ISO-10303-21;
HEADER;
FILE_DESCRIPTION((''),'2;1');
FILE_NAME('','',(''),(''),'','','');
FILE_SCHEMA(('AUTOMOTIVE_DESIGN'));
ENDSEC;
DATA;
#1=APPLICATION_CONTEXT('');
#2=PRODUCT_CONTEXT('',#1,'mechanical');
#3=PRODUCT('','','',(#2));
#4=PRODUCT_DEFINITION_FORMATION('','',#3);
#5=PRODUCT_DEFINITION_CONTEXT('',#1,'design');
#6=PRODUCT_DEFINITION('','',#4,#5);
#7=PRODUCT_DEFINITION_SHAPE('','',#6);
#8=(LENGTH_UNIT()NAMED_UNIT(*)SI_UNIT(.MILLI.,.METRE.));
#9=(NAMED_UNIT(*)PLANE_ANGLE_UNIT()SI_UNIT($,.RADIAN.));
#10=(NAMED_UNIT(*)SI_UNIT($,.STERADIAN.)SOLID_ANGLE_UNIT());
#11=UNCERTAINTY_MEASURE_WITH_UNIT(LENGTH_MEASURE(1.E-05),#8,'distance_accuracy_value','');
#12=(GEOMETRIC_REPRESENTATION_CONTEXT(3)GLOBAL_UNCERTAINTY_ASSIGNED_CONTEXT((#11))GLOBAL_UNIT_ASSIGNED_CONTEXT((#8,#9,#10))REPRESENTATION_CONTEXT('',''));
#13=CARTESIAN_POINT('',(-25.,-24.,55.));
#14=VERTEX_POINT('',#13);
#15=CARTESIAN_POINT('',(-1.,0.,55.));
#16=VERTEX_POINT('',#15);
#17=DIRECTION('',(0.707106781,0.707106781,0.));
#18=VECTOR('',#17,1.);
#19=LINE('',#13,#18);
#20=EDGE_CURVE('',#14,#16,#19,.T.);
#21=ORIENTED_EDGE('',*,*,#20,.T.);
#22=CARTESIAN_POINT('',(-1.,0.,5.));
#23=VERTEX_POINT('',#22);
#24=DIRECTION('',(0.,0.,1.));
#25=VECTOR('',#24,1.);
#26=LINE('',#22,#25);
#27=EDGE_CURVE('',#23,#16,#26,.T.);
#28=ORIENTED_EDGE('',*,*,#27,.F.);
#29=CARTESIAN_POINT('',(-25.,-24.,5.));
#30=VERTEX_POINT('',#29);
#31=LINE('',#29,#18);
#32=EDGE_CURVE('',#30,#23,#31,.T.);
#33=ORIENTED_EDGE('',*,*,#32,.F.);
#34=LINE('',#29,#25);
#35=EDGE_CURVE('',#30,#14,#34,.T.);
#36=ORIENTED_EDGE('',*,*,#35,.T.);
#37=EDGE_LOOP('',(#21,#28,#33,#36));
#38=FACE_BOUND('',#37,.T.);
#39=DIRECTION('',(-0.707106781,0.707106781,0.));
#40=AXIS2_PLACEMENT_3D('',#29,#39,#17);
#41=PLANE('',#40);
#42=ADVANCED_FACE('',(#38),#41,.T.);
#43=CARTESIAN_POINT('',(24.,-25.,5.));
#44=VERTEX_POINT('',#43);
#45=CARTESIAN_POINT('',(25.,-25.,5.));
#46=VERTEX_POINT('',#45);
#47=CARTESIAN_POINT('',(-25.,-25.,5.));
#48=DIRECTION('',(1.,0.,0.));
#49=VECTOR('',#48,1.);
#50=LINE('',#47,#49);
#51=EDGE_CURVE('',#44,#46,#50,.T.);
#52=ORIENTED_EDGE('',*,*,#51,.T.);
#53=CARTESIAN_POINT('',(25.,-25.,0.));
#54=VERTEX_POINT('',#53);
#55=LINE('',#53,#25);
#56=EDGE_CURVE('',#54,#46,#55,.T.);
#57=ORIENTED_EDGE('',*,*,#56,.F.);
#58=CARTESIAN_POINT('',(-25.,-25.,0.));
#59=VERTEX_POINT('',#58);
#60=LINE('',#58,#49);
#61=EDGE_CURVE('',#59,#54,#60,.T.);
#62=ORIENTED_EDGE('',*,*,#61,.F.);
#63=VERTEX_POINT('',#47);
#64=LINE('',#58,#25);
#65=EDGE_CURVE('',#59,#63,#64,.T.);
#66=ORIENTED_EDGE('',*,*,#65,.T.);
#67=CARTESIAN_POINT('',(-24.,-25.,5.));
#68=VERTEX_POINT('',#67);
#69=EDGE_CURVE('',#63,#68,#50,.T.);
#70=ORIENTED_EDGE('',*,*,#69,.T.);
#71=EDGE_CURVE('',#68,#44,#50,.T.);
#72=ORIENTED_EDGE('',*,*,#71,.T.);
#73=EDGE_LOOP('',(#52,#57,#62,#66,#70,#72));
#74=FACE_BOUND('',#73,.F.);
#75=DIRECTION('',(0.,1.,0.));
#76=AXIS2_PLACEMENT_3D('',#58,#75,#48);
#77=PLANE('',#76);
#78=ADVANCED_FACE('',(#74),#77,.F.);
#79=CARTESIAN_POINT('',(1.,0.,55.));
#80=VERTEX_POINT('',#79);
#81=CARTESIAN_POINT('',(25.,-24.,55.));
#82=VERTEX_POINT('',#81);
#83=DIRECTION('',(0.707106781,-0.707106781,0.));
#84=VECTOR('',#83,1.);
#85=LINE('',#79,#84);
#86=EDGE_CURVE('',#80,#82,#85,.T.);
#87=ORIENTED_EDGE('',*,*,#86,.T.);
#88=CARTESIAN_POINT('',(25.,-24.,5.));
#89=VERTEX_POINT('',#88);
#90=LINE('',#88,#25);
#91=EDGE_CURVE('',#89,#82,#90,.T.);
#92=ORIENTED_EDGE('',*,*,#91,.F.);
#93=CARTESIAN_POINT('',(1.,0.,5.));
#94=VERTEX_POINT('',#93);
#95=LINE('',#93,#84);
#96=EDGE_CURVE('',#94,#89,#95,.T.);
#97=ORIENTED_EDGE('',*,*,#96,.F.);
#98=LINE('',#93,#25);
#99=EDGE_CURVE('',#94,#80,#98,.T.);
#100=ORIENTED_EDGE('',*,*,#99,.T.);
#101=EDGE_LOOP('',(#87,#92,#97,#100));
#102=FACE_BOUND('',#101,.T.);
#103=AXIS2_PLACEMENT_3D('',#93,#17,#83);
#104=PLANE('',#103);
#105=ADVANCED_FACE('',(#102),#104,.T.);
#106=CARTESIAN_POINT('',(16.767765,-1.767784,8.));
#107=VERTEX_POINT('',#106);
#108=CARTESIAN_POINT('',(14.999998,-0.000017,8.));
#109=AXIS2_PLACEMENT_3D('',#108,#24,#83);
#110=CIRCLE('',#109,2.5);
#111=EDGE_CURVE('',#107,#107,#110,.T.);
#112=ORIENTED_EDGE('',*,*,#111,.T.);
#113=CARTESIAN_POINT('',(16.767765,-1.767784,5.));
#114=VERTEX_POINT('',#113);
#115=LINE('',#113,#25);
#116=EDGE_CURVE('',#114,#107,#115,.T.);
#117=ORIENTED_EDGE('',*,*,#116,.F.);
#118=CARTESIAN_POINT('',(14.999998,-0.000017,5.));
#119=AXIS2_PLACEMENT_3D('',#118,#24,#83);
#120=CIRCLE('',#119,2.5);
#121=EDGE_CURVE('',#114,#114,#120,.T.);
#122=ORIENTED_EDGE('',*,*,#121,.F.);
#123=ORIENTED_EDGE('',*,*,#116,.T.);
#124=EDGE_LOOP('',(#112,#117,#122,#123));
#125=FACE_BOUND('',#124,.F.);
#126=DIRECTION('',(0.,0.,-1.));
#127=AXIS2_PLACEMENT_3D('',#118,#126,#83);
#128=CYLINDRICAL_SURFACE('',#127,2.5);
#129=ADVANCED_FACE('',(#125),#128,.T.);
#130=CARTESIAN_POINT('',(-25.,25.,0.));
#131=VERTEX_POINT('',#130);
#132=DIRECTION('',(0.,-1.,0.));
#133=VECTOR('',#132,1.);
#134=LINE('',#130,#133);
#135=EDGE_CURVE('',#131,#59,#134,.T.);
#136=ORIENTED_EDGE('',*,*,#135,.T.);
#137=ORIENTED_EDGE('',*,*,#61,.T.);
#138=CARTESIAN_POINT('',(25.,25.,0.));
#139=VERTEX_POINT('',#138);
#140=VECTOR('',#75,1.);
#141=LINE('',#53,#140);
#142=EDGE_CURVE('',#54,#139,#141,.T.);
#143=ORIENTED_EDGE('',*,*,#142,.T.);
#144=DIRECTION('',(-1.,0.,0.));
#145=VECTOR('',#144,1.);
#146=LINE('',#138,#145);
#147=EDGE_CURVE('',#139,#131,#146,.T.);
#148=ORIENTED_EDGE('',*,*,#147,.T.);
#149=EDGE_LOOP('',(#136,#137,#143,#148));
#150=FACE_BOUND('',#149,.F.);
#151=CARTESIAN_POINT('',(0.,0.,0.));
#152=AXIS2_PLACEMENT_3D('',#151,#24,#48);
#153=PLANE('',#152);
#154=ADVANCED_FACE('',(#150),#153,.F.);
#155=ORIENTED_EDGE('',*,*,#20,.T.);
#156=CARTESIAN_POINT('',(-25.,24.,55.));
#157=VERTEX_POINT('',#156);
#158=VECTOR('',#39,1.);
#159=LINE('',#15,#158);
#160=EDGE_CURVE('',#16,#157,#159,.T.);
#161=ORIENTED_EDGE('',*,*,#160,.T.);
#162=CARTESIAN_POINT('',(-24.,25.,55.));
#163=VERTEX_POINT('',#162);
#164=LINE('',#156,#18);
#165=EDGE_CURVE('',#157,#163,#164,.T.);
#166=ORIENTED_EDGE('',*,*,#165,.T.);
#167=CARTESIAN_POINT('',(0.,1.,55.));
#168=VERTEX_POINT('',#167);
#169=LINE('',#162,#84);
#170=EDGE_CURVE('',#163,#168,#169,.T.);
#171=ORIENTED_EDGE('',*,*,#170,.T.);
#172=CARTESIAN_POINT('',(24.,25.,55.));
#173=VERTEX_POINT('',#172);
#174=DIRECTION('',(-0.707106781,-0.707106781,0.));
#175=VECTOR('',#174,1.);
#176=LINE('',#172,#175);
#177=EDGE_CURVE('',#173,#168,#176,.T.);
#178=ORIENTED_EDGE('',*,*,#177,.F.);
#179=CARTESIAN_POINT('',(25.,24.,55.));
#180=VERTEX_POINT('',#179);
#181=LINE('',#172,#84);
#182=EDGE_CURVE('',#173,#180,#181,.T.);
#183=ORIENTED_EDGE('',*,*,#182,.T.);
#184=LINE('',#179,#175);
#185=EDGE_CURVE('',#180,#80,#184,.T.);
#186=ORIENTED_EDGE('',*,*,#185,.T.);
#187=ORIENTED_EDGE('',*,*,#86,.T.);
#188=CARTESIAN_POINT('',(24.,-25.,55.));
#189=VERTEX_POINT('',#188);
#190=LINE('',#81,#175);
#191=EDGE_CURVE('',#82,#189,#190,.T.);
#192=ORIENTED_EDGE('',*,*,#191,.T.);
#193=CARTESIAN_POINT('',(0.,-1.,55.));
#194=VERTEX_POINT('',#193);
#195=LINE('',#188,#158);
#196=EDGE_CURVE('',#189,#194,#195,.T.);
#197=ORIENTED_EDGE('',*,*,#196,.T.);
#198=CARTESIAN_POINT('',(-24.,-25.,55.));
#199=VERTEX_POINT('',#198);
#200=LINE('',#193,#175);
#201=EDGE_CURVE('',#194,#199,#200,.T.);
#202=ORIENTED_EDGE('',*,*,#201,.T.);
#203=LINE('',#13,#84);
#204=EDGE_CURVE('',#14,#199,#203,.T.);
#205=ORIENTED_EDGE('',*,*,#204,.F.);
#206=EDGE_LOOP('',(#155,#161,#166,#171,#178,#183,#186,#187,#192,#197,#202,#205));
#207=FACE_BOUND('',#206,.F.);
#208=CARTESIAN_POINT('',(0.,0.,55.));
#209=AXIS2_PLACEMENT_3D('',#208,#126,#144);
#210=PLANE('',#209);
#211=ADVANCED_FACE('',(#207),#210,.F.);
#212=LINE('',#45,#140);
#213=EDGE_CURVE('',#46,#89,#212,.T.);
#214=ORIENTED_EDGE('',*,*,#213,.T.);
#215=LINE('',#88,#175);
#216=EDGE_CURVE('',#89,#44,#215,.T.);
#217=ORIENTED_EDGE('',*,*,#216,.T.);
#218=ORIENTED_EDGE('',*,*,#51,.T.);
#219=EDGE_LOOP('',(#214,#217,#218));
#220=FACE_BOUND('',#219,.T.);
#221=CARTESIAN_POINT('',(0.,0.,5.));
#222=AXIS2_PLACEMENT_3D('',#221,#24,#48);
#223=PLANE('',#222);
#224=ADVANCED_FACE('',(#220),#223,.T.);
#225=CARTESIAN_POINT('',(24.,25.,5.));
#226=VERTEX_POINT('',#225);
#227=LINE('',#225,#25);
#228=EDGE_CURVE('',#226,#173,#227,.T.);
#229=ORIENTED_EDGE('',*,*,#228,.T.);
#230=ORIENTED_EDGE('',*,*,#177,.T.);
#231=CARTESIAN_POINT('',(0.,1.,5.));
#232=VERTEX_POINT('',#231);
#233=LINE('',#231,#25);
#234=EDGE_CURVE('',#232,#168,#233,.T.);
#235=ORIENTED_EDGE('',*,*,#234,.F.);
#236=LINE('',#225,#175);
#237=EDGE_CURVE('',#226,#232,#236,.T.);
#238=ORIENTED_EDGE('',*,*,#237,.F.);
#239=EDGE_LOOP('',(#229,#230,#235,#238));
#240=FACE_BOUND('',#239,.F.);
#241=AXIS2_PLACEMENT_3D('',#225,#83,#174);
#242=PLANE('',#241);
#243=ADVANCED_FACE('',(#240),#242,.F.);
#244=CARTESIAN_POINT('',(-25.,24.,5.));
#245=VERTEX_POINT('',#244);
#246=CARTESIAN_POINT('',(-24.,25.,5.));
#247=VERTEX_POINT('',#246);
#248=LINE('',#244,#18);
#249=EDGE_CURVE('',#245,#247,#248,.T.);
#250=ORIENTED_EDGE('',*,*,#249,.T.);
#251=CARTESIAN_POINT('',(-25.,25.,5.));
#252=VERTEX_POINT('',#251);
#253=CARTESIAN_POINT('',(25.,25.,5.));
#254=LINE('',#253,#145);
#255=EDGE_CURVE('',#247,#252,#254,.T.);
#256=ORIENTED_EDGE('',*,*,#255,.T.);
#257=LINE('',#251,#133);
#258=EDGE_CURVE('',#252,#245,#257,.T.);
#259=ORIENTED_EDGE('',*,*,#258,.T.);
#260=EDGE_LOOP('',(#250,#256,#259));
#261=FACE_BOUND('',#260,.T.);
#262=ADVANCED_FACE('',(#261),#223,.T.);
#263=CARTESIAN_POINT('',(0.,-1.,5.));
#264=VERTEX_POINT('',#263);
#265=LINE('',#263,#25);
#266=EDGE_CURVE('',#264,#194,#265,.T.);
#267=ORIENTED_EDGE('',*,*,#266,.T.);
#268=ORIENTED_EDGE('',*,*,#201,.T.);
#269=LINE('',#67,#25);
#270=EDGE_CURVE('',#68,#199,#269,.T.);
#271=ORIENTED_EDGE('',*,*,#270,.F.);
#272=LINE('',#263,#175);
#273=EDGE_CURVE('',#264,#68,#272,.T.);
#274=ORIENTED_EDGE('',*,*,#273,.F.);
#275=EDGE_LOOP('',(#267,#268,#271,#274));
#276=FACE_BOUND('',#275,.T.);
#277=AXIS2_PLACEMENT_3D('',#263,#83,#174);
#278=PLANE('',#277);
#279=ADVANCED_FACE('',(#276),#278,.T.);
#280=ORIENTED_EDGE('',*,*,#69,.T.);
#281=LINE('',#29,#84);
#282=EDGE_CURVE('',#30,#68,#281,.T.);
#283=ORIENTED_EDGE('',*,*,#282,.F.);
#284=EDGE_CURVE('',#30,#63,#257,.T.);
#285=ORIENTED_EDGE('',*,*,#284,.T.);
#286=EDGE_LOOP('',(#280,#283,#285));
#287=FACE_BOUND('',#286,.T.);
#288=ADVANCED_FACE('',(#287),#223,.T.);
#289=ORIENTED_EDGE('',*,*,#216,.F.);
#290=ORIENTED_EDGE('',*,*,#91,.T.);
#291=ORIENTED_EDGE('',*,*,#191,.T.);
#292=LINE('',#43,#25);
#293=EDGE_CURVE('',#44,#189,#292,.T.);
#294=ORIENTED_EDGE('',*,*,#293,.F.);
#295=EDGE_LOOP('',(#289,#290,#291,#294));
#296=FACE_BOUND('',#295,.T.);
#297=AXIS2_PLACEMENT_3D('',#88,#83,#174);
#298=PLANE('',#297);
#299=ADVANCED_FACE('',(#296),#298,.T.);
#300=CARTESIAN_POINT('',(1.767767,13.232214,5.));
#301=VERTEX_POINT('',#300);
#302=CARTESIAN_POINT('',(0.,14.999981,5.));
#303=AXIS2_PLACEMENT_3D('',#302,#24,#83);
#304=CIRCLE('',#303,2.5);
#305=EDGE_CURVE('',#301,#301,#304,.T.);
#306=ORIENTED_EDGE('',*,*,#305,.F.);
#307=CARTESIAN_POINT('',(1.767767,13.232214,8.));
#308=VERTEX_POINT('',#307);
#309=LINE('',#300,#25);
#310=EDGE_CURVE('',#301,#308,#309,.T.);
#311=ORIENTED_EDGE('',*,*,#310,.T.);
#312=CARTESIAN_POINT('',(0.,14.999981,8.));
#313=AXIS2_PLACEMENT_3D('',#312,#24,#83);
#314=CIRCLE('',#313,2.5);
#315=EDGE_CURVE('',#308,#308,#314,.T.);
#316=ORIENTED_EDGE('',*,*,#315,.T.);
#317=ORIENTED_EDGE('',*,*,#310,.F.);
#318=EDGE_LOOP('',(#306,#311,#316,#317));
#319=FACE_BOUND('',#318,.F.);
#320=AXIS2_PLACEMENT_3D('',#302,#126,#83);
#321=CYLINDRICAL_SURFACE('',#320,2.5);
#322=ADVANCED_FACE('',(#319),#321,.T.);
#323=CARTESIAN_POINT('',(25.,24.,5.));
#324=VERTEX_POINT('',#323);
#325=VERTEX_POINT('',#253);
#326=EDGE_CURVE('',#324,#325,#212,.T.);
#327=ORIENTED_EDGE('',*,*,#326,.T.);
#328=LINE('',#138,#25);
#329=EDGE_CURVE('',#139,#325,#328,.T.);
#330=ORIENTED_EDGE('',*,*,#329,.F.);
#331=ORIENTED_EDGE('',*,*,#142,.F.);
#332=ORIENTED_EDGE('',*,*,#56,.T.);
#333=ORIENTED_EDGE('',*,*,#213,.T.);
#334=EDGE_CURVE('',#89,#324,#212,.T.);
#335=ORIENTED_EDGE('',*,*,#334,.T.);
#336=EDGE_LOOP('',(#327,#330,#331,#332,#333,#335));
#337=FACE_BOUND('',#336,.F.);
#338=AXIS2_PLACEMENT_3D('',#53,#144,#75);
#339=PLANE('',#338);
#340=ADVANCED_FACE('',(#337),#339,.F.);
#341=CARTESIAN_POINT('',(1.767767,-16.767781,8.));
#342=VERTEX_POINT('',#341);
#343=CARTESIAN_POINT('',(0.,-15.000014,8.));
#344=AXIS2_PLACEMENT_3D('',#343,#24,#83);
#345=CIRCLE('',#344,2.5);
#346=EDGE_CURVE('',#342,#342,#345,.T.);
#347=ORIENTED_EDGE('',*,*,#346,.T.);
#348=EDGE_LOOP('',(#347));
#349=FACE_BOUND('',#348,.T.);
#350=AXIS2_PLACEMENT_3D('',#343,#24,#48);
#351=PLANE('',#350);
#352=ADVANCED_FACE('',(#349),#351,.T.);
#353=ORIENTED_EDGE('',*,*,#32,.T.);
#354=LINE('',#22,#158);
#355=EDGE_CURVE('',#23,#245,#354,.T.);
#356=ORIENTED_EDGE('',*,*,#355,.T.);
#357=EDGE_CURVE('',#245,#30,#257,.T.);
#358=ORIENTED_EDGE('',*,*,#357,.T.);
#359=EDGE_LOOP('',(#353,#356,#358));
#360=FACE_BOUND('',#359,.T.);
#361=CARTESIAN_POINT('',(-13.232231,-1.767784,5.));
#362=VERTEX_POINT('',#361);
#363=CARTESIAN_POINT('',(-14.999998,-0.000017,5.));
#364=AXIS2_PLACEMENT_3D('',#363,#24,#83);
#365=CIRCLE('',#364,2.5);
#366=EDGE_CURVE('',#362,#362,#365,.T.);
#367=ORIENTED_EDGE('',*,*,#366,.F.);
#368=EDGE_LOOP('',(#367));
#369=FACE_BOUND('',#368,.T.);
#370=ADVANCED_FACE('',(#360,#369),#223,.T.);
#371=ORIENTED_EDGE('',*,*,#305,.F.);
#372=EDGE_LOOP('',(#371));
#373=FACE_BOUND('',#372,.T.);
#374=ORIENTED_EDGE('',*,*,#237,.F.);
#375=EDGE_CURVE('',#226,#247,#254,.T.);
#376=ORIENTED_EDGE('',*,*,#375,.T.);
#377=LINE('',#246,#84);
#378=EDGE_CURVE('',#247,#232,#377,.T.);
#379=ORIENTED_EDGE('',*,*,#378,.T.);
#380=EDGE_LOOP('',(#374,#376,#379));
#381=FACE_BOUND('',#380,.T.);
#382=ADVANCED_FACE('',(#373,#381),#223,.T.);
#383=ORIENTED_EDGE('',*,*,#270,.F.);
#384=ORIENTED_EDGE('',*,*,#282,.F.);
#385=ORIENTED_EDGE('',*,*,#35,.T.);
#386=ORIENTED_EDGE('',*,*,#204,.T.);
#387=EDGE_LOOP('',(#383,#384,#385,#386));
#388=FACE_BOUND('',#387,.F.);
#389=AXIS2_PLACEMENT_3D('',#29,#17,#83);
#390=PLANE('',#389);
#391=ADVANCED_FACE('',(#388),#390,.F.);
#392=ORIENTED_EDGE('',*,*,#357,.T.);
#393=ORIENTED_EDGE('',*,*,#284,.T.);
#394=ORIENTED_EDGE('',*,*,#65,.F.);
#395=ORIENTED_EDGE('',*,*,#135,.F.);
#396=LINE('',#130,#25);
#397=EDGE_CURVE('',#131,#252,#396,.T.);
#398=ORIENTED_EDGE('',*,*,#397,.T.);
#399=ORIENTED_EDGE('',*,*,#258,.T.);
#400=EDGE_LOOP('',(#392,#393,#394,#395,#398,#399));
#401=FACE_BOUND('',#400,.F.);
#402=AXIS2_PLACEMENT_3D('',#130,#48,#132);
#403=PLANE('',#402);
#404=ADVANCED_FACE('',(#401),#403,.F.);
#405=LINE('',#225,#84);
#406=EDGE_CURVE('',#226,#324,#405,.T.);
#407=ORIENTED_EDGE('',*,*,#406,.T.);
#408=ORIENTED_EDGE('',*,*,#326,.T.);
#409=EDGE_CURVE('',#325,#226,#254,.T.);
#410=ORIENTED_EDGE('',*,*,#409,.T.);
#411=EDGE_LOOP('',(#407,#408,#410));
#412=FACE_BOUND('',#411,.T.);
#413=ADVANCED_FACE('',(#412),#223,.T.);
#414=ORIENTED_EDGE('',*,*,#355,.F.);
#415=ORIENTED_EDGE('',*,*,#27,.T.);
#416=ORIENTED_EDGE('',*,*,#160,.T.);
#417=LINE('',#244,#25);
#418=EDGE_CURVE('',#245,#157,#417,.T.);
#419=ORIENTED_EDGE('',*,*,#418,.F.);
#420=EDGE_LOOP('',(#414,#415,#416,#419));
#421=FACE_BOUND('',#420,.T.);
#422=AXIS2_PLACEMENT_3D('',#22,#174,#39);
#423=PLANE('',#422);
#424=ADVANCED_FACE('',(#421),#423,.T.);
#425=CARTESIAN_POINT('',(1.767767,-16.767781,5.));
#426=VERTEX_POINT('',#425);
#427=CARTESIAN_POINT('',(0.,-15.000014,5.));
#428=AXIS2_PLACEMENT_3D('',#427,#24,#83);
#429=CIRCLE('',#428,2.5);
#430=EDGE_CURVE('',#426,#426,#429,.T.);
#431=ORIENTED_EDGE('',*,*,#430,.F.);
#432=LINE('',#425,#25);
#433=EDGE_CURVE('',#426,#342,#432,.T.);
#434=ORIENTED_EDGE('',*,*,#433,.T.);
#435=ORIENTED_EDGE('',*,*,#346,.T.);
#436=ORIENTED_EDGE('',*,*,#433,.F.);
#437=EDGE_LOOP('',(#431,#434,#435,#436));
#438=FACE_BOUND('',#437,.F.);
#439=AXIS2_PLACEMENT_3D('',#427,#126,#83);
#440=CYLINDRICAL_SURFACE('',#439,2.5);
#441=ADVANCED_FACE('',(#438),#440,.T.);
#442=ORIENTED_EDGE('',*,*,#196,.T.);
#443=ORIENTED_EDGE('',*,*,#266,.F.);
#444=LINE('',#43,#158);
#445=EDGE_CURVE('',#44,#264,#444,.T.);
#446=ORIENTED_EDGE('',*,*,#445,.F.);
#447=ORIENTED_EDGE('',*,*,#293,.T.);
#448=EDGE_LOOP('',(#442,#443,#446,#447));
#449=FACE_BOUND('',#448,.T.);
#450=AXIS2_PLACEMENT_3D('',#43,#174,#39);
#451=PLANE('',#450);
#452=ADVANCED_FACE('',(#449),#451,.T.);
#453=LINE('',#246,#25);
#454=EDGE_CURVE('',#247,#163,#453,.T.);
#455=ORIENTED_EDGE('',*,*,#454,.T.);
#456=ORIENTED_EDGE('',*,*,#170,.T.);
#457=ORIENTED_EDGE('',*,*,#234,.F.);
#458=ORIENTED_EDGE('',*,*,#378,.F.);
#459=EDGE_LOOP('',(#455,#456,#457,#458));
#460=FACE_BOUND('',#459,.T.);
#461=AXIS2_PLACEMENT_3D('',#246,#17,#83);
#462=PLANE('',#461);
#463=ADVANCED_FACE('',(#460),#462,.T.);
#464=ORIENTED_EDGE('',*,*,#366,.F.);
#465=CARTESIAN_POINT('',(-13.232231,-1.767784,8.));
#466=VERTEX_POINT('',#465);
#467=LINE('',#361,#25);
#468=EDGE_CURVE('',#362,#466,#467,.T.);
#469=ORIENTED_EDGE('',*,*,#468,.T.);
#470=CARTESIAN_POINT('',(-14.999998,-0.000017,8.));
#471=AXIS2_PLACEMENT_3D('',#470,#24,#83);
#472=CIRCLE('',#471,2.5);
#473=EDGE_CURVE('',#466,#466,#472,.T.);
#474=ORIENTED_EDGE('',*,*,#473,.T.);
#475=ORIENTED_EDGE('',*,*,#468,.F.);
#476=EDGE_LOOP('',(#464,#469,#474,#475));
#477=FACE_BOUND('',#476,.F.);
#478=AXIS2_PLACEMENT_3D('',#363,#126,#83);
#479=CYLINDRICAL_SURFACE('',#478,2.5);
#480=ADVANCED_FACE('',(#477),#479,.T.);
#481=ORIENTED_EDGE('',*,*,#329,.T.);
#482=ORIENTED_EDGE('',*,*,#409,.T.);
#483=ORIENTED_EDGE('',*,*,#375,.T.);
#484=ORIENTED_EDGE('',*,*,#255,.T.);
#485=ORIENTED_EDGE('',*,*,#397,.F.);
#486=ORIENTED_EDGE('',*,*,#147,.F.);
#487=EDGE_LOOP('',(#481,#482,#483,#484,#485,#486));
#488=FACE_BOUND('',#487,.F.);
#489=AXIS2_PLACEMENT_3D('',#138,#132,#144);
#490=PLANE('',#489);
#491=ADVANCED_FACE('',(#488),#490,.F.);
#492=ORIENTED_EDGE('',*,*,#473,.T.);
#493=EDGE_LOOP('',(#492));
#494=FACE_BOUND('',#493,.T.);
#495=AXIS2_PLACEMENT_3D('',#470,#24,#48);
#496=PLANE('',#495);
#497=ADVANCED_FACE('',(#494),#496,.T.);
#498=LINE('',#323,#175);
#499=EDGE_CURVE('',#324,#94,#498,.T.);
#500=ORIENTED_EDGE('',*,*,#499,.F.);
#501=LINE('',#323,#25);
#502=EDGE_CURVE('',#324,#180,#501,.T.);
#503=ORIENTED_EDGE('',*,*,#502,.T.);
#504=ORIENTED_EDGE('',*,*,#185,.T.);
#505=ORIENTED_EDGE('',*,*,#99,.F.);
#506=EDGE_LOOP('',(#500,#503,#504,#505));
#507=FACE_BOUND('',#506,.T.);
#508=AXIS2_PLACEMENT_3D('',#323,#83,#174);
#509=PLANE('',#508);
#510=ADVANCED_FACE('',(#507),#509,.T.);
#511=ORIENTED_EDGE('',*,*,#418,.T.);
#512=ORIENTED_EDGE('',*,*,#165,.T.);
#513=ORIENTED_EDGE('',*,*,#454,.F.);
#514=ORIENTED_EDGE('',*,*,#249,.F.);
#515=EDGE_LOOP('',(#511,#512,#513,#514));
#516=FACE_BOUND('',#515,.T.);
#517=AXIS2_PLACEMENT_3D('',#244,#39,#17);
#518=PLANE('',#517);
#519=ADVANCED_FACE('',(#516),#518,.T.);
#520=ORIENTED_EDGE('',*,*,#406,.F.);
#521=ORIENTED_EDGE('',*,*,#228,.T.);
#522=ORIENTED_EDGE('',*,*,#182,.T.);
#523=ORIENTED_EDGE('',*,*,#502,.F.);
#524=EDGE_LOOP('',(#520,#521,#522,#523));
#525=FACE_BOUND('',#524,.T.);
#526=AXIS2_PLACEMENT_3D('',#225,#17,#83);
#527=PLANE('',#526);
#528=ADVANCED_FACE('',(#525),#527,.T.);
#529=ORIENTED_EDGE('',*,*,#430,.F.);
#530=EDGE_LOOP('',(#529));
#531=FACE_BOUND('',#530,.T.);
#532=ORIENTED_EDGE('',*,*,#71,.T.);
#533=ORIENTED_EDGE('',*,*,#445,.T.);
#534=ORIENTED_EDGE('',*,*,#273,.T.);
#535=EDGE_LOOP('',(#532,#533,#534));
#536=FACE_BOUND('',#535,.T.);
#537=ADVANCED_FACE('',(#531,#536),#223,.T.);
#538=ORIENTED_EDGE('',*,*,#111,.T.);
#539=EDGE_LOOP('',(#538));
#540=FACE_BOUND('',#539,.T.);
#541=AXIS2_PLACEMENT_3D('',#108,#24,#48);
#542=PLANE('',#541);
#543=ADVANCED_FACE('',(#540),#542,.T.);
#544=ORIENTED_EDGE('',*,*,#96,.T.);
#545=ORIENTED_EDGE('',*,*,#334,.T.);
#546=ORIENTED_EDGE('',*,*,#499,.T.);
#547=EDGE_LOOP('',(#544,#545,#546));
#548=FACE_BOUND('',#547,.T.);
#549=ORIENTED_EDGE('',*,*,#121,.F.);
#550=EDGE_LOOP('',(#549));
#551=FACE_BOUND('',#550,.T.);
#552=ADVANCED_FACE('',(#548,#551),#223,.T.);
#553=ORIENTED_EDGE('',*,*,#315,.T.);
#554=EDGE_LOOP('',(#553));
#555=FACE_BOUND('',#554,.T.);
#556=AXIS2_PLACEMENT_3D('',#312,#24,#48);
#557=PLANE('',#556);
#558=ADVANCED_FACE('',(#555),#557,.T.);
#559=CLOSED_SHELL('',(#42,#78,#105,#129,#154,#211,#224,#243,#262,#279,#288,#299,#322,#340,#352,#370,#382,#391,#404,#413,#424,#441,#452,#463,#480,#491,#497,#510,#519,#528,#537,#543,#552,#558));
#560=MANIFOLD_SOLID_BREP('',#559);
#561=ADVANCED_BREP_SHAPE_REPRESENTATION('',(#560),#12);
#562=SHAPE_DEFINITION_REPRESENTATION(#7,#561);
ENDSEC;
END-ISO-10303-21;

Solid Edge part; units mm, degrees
sketch "Sketch1" plane through (0, 0, 0) normal (0, 0, 1) x (1, 0, 0)
  line L0 (-25, -25) -> (25, -25)
  line L1 (25, -25) -> (25, 25)
  line L2 (25, 25) -> (-25, 25)
  line L3 (-25, 25) -> (-25, -25)
extrude "Protrusion1" add sketch "Sketch1" along normal blind 5
sketch "Sketch2" plane through (0, 0, 5) normal (0, 0, 1) x (0, -1, 0)
  line L0 (25, 24) -> (1, 0)
  line L1 (1, 0) -> (25, -24)
  line L2 (24, -25) -> (25, -24)
  line L3 (24, -25) -> (0, -1)
  line L4 (0, -1) -> (-24, -25)
  line L5 (-24, -25) -> (-25, -24)
  line L6 (-25, -24) -> (-1, 0)
  line L7 (-25, 24) -> (-1, 0)
  line L8 (-25, 24) -> (-24, 25)
  line L9 (-24, 25) -> (0, 1)
  line L10 (0, 1) -> (24, 25)
  line L11 (24, 25) -> (25, 24)
extrude "Kihúzás_2" add sketch "Sketch2" along normal blind 50
sketch "Sketch3" plane through (0, 13, 5) normal (0, 0, 1) x (0.7071, -0.7071, 0)
  circle A0 centre (-1.4142, 1.4142) radius 2.5
  circle A1 centre (19.799, 1.4142) radius 2.5
  circle A2 centre (19.799, -19.799) radius 2.5
  circle A3 centre (-1.4142, -19.799) radius 2.5
extrude "Kihúzás_3" add sketch "Sketch3" along normal blind 3
